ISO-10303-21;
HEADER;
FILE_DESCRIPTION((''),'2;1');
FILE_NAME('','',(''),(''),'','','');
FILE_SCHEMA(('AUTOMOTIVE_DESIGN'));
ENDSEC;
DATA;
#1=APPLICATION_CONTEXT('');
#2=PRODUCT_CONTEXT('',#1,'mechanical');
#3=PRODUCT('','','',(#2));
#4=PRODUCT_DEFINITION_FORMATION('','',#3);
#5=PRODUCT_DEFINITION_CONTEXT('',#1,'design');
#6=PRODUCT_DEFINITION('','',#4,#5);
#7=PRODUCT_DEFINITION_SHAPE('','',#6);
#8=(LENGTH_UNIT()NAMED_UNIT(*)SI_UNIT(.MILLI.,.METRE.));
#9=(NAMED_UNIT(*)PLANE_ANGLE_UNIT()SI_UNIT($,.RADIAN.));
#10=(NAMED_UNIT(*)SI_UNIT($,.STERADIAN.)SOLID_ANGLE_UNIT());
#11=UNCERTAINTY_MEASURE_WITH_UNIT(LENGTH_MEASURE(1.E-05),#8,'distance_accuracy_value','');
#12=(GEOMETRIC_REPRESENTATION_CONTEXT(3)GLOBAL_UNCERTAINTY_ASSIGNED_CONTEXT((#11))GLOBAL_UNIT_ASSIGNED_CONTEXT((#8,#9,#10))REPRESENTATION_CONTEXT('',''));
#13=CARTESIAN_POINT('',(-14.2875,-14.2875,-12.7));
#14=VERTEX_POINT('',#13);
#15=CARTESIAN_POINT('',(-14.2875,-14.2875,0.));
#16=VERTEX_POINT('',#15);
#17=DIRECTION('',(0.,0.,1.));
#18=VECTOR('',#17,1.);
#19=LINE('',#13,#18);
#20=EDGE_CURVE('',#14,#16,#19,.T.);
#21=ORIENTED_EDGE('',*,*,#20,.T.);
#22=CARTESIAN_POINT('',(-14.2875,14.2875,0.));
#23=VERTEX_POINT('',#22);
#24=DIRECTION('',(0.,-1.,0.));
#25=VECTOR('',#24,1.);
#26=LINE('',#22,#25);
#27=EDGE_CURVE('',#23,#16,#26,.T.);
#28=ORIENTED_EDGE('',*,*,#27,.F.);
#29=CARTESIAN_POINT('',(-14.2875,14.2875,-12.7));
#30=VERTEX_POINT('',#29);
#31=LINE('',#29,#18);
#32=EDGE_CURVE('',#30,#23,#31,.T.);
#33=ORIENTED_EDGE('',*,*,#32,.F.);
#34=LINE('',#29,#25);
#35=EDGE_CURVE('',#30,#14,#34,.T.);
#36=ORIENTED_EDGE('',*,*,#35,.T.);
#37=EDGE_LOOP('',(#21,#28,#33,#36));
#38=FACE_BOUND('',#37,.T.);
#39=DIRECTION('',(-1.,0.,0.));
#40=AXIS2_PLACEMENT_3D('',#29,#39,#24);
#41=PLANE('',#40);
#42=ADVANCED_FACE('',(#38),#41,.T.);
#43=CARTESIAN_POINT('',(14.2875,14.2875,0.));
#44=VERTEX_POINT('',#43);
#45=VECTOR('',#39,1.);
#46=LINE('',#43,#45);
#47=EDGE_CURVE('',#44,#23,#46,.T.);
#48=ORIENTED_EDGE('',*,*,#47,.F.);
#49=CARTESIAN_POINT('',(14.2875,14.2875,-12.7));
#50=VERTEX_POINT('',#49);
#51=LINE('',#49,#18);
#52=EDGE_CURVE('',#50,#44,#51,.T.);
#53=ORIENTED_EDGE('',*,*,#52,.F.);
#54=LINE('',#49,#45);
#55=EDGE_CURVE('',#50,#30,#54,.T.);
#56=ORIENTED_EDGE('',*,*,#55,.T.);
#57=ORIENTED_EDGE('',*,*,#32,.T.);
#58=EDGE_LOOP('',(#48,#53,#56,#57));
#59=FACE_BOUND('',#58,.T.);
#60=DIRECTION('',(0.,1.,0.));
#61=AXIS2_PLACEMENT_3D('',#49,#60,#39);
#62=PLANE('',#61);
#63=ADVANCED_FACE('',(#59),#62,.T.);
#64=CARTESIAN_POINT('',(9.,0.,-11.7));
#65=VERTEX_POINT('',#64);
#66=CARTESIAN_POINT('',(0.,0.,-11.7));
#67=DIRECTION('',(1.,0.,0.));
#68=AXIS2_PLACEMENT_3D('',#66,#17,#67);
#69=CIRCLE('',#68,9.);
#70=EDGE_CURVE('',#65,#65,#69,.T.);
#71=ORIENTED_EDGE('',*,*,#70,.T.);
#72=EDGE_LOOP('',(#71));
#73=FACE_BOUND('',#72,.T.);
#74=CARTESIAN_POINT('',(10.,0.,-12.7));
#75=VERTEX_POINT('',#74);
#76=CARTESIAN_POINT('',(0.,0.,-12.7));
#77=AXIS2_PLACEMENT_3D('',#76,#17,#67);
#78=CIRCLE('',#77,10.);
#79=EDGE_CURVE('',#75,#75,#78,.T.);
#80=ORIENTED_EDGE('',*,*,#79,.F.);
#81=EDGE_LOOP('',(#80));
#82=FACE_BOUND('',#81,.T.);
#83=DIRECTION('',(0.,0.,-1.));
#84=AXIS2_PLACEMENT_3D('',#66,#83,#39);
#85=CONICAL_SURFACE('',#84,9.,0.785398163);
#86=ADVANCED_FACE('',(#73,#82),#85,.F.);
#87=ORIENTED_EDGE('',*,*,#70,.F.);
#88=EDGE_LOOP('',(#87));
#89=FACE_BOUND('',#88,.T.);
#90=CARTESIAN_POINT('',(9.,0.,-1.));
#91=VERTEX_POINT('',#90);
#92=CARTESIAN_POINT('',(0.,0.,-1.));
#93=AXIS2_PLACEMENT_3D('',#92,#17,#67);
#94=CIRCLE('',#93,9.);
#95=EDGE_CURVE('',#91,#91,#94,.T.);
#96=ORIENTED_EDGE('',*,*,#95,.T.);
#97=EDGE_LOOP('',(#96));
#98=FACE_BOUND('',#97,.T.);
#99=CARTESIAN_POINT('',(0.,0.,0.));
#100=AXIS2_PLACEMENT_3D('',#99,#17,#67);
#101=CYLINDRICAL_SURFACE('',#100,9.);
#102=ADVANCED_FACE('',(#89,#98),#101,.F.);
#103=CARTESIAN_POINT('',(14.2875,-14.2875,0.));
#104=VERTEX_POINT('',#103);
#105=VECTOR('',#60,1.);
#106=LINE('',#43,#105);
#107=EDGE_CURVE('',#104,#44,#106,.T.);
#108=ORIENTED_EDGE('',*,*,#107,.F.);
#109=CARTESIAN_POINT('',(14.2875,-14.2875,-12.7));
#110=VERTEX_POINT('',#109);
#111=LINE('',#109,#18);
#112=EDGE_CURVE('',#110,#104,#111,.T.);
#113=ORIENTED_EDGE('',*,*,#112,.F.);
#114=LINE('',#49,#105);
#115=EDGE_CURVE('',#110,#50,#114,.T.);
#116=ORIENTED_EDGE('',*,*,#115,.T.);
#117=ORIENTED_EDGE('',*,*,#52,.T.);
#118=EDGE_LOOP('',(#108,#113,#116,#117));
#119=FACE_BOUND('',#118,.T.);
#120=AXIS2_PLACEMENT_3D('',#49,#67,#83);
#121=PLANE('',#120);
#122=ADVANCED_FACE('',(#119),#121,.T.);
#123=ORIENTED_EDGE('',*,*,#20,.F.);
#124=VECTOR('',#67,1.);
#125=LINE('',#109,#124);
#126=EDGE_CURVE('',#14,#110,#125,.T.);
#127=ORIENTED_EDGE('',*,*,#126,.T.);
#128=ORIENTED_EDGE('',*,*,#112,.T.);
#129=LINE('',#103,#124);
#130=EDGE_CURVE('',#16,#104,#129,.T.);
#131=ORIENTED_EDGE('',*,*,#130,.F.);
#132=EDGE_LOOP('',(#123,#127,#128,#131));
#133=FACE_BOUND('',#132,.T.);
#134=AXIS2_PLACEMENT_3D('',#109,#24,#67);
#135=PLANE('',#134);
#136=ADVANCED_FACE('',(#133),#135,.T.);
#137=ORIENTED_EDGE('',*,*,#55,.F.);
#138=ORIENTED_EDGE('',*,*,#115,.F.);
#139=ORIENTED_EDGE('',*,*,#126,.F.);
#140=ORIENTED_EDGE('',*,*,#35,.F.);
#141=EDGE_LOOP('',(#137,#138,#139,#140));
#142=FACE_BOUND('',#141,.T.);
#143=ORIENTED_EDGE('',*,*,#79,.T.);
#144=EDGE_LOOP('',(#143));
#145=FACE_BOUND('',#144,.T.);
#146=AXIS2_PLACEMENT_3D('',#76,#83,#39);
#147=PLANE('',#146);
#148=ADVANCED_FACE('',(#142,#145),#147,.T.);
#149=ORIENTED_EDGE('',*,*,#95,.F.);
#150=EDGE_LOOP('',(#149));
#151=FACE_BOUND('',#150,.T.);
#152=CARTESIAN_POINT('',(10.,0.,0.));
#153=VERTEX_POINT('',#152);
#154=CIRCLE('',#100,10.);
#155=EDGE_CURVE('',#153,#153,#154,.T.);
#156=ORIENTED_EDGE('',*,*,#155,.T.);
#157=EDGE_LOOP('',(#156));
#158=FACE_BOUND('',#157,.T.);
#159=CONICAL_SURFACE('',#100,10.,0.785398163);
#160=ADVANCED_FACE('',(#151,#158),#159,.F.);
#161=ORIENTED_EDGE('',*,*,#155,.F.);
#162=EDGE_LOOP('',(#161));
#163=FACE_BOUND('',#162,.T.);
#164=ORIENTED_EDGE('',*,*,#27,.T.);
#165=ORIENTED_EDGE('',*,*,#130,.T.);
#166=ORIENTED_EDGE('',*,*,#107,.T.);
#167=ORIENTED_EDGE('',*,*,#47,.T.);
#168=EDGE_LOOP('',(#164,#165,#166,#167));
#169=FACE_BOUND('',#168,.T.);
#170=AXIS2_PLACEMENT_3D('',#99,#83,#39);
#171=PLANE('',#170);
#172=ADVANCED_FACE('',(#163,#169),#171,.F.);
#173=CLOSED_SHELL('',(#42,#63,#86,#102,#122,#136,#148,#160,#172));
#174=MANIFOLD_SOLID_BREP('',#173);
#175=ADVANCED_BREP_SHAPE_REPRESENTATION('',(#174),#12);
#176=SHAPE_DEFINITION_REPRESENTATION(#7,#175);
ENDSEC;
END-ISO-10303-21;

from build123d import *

# Parameters (mm, degrees)
SKETCH_W            = 28.575
SKETCH_H            = 28.575
BOSS_EXTRUDE1_DEPTH = 12.7


with BuildPart() as part:
    # Sketch → Boss-Extrude1 (new body)
    with BuildSketch(Plane.XY):
        Rectangle(SKETCH_W, SKETCH_H)
    extrude(amount=-BOSS_EXTRUDE1_DEPTH)

    # Sketch1 → M20x2.0 Tapped Hole1 (revolve, cut)
    with BuildSketch(Plane(origin=(0, 0, 0), x_dir=(0, -1, 0), z_dir=(1, 0, 0))):
        Polygon((0, 0), (0, 12.7), (10, 12.7), (9, 11.7), (9, 1), (10, 0), align=None)
    revolve(axis=Axis((0, 0, 6.35), (0, 0, -1)), mode=Mode.SUBTRACT)


solid = part.part
